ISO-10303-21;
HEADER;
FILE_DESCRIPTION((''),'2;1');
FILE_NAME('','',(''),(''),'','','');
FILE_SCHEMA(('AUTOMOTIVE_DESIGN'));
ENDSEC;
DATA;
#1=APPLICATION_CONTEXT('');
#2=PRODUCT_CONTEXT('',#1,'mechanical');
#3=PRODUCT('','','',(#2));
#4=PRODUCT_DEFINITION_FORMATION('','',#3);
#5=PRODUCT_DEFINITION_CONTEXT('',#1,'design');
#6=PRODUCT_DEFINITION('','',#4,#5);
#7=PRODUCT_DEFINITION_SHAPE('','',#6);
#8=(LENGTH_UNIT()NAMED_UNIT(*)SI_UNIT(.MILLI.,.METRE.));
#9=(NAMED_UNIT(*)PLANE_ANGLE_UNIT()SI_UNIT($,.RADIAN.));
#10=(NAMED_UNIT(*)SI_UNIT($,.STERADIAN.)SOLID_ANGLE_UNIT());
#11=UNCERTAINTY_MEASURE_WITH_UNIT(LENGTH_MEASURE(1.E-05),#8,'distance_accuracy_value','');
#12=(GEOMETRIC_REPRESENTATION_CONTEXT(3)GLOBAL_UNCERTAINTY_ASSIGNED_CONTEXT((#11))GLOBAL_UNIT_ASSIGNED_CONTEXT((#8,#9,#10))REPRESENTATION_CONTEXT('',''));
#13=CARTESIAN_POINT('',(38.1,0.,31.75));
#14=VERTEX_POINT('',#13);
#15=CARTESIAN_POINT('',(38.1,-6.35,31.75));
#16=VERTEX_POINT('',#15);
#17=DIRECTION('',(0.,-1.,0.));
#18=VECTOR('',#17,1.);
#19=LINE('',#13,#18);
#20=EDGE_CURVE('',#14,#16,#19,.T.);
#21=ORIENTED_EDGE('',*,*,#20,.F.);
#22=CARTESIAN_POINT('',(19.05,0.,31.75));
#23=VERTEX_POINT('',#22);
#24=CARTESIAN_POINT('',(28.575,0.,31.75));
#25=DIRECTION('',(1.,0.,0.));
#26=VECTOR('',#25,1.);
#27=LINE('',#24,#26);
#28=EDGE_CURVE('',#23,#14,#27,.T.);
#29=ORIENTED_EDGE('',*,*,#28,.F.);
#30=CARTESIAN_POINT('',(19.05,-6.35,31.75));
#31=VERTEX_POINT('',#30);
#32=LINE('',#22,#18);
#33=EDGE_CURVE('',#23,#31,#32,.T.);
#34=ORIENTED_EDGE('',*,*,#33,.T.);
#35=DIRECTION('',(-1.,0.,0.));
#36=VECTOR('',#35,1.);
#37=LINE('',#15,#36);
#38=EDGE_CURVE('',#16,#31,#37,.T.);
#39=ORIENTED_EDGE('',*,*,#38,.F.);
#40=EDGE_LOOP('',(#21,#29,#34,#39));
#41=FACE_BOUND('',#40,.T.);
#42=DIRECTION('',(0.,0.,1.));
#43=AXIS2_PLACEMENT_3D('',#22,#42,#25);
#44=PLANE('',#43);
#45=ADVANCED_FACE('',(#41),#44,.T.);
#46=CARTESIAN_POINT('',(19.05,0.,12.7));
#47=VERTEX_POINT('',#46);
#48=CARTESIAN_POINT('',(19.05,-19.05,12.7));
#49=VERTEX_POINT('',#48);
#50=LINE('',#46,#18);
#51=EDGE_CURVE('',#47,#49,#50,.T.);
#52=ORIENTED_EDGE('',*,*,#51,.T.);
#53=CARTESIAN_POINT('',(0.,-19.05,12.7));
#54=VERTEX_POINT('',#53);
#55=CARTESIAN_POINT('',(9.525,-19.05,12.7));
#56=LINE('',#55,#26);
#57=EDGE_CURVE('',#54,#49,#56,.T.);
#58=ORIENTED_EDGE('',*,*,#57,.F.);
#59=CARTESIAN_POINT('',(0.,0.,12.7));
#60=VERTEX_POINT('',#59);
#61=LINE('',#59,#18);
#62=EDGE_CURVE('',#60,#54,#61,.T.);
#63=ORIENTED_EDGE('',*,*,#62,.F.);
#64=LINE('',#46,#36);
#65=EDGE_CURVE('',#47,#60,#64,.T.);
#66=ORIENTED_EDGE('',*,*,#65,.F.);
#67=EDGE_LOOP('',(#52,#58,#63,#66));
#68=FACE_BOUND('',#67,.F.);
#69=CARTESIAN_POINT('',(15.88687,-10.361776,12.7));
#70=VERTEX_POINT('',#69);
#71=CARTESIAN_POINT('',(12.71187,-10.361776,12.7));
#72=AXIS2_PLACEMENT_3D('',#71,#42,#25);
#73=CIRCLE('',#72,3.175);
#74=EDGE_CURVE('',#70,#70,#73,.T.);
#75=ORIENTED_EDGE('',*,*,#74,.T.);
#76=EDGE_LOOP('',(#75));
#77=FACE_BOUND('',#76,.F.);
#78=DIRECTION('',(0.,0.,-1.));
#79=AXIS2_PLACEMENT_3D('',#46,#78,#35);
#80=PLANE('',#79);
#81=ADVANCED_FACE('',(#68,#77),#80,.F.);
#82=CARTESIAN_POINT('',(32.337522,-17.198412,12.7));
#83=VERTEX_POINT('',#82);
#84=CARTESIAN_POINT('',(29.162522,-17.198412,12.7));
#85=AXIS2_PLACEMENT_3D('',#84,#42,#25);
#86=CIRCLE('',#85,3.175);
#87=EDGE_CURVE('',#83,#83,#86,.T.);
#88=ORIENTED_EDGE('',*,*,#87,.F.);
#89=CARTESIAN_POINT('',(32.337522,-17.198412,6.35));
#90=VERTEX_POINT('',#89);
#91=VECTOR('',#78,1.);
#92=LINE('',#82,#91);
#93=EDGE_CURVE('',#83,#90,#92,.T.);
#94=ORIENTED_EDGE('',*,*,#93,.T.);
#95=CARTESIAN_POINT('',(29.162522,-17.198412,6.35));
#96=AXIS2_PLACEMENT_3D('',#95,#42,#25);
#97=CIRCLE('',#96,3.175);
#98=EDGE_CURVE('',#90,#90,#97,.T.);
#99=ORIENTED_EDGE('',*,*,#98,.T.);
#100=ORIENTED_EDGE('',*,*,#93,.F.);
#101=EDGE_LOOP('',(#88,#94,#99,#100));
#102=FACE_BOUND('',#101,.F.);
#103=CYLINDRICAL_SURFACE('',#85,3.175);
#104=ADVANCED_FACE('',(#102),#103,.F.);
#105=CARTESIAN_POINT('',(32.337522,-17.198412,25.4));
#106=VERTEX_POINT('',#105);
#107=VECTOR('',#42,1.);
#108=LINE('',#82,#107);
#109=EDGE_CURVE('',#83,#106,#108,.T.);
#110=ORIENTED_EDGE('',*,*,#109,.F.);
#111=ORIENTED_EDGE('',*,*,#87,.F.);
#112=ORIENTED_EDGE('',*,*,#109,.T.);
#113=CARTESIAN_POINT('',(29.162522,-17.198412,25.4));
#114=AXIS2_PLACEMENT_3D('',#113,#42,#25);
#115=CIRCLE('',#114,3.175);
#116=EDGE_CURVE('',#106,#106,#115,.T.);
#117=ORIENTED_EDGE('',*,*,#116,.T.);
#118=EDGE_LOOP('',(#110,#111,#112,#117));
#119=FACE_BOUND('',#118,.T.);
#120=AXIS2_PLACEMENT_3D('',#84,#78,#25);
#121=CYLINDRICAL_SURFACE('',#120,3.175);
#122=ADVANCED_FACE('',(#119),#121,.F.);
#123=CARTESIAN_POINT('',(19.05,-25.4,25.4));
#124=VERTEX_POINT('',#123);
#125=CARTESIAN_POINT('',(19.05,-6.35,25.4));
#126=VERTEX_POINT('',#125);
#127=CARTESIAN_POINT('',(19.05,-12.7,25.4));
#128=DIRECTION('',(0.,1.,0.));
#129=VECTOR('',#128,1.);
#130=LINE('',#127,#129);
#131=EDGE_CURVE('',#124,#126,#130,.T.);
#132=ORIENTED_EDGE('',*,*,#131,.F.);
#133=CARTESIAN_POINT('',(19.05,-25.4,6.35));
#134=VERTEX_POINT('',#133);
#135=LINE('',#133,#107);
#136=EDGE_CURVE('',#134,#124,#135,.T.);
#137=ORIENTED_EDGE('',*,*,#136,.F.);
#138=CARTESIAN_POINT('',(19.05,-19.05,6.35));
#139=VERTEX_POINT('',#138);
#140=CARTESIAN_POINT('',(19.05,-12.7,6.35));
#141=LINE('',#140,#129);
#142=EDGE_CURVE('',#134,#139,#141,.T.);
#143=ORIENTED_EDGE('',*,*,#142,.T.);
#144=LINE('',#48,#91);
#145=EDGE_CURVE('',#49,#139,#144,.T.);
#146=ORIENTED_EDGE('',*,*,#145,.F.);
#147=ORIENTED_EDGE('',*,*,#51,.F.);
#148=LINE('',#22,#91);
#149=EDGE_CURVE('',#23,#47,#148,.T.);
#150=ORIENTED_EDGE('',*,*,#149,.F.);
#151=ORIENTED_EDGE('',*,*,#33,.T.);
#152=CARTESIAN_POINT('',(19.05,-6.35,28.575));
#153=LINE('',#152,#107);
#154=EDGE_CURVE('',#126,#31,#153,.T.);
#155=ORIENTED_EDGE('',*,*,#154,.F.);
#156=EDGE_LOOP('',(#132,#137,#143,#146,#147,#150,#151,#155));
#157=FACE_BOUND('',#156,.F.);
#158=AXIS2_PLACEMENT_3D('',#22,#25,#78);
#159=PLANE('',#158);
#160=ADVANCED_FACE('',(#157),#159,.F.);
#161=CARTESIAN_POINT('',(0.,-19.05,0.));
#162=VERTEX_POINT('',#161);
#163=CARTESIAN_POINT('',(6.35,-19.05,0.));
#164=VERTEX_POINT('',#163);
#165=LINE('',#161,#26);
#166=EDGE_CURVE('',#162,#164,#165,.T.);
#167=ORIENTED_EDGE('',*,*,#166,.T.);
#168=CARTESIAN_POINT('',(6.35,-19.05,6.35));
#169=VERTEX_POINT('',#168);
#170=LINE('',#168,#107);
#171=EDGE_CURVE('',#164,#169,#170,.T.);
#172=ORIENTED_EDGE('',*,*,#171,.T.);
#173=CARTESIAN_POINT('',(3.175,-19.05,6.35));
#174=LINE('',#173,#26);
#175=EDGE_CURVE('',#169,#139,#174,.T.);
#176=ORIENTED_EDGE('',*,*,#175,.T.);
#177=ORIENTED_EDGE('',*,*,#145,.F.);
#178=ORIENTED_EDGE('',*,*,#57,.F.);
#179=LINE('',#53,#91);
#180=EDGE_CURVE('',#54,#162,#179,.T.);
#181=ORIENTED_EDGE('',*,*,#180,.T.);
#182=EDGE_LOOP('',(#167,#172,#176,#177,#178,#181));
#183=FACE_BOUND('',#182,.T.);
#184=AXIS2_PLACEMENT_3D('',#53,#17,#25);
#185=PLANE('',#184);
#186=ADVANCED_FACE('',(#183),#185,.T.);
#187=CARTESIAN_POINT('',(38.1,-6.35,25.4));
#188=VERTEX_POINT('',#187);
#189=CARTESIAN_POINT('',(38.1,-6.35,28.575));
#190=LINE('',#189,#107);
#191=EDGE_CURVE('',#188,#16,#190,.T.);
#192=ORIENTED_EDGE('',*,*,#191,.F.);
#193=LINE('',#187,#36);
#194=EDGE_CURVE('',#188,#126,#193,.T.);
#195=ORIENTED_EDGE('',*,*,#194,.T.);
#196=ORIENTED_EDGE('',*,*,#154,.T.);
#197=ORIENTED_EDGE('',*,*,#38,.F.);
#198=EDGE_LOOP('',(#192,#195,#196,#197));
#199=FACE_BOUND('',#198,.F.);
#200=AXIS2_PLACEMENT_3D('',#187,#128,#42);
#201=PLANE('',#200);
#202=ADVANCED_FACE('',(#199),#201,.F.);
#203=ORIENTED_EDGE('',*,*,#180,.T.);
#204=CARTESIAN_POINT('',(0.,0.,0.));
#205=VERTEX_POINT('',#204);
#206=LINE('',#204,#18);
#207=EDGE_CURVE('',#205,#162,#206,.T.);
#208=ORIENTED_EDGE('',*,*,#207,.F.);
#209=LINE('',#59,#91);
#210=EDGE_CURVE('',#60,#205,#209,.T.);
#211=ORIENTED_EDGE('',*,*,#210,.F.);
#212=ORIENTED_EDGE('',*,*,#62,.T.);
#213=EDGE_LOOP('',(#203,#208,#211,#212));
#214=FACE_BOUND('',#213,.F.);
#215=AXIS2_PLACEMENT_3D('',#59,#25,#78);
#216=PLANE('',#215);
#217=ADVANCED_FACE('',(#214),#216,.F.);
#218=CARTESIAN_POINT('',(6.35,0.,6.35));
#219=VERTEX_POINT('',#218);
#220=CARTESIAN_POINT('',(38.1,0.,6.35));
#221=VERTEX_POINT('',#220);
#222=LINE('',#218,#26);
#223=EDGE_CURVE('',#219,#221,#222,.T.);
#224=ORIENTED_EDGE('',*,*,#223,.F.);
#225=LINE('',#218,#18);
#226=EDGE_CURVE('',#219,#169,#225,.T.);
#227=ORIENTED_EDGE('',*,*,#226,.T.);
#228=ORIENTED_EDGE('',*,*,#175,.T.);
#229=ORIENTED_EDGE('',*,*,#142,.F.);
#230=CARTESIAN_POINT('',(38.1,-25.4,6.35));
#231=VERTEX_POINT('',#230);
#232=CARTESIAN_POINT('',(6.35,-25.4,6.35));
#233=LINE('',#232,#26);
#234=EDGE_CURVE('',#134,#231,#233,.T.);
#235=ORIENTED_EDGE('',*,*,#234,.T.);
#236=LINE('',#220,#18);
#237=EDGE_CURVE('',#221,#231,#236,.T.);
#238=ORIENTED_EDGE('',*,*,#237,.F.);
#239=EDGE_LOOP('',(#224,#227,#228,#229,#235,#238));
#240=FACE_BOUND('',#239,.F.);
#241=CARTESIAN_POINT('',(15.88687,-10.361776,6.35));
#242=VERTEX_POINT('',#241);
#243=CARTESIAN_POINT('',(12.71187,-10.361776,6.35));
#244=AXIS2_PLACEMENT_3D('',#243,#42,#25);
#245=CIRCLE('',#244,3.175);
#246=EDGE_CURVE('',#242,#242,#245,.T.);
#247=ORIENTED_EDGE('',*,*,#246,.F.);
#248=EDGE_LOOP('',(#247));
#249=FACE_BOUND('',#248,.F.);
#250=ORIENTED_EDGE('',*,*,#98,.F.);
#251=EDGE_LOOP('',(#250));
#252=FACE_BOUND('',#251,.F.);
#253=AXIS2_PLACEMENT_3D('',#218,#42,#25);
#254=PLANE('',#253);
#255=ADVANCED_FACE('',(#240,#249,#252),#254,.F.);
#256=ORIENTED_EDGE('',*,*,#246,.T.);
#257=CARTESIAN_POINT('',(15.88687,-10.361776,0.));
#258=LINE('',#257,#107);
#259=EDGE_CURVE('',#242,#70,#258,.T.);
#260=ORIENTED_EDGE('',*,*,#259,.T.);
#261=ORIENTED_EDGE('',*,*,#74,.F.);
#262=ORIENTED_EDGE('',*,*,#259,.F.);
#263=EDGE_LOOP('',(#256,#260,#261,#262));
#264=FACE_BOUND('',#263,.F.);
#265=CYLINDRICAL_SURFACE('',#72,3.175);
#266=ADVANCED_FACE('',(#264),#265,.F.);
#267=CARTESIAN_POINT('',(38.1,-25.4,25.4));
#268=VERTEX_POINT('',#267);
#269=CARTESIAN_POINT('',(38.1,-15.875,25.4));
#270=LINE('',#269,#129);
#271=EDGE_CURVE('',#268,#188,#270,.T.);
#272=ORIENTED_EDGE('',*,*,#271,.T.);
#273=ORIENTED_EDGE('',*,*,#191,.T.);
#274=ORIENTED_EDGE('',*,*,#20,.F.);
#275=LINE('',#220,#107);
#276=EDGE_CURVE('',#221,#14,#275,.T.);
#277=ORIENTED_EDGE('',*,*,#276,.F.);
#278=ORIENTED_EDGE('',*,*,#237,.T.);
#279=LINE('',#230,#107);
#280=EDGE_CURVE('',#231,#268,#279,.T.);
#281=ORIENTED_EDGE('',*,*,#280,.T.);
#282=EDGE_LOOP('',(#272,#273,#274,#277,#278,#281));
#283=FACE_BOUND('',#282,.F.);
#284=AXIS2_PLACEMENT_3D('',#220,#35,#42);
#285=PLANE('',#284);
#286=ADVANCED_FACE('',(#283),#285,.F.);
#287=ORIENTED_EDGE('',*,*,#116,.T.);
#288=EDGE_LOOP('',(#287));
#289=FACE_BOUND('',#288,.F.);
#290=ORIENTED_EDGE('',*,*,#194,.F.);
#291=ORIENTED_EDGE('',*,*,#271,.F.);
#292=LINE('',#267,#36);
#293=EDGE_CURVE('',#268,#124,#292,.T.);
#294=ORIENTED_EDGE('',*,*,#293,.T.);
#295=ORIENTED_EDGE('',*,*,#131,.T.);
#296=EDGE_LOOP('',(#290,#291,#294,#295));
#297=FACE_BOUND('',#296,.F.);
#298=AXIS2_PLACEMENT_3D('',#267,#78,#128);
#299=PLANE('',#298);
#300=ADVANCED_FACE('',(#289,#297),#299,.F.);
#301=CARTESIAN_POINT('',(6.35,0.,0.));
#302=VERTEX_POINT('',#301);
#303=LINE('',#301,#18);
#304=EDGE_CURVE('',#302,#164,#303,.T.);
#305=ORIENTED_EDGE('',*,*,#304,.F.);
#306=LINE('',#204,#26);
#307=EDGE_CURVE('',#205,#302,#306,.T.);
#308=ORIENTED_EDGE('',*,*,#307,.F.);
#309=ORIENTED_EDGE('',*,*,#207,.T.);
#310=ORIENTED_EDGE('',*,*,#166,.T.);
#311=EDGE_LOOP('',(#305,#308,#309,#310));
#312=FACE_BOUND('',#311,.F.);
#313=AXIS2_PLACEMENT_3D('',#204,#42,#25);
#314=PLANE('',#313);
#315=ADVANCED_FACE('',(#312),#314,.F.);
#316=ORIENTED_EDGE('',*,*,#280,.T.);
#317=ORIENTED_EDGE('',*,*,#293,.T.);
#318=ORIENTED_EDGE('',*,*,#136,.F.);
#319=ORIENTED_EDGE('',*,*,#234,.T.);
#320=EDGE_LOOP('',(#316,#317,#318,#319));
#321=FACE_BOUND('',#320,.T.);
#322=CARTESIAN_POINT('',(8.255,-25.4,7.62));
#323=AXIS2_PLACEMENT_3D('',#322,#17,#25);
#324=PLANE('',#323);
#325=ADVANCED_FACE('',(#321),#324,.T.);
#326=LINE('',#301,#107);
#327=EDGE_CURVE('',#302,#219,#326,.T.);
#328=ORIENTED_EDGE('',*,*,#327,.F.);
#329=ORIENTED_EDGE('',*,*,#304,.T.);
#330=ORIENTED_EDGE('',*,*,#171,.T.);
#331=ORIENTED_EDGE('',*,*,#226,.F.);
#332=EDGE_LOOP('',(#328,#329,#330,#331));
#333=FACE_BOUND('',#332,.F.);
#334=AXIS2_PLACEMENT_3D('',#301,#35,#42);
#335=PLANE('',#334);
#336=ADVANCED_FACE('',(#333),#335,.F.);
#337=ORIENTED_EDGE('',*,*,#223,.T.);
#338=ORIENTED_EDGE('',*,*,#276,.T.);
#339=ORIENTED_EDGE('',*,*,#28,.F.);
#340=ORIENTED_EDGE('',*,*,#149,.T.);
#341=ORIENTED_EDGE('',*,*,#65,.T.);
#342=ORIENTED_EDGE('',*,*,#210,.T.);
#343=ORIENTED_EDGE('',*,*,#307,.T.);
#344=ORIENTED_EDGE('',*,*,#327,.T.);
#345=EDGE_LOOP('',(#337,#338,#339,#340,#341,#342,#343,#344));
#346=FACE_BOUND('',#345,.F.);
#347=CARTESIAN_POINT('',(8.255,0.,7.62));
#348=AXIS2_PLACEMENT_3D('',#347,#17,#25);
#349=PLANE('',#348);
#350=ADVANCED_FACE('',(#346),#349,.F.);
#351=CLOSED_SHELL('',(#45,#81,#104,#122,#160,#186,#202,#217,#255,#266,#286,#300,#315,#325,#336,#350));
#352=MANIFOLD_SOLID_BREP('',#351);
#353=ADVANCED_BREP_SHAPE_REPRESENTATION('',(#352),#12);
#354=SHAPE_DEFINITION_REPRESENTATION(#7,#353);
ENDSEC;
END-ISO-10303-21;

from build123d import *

# Parameters (mm, degrees)
F0_W     = 19.05
F0_H     = 6.35
F1_DEPTH = 25.4
F2_W     = 19.05
F2_H     = 6.35
F3_DEPTH = 12.701
F4_W     = 19.05
F4_H     = 6.35
F5_DEPTH = 38.101
F6_R     = 3.175
F7_DEPTH = 12.7


with BuildPart() as f1:
    # F0 (on Front) → F1 (new body)
    with BuildSketch(Plane.XZ):
        Polygon((0, 12.7), (0, 0), (6.35, 0), (6.35, 6.35), (19.05, 6.35), (19.05, 12.7), align=None)
        Polygon((19.05, 25.4), (19.05, 12.7), (19.05, 6.35), (38.1, 6.35), (38.1, 12.7), (38.1, 25.4), align=None)
        with Locations((28.575, 28.575)):
            Rectangle(F0_W, F0_H)
    extrude(amount=F1_DEPTH)

    # F2 (on face) → F3 (cut, through all)
    with BuildSketch(Plane.XY.offset(12.7)):
        with Locations((9.525, -22.225)):
            Rectangle(F2_W, F2_H)
    extrude(amount=-F3_DEPTH, mode=Mode.SUBTRACT)

    # F4 (on face) → F5 (cut, through all)
    with BuildSketch(Plane.YZ.offset(38.1)):
        with Locations((-15.875, 28.575)):
            Rectangle(F4_W, F4_H)
    extrude(amount=-F5_DEPTH, mode=Mode.SUBTRACT)

    # F6 (on face) → F7 (cut, symmetric)
    with BuildSketch(Plane.XY.offset(12.7)):
        with Locations((29.162522, -17.198412)):
            Circle(F6_R)
        with Locations((12.71187, -10.361776)):
            Circle(F6_R)
    extrude(amount=F7_DEPTH, both=True, mode=Mode.SUBTRACT)


solid = f1.part
